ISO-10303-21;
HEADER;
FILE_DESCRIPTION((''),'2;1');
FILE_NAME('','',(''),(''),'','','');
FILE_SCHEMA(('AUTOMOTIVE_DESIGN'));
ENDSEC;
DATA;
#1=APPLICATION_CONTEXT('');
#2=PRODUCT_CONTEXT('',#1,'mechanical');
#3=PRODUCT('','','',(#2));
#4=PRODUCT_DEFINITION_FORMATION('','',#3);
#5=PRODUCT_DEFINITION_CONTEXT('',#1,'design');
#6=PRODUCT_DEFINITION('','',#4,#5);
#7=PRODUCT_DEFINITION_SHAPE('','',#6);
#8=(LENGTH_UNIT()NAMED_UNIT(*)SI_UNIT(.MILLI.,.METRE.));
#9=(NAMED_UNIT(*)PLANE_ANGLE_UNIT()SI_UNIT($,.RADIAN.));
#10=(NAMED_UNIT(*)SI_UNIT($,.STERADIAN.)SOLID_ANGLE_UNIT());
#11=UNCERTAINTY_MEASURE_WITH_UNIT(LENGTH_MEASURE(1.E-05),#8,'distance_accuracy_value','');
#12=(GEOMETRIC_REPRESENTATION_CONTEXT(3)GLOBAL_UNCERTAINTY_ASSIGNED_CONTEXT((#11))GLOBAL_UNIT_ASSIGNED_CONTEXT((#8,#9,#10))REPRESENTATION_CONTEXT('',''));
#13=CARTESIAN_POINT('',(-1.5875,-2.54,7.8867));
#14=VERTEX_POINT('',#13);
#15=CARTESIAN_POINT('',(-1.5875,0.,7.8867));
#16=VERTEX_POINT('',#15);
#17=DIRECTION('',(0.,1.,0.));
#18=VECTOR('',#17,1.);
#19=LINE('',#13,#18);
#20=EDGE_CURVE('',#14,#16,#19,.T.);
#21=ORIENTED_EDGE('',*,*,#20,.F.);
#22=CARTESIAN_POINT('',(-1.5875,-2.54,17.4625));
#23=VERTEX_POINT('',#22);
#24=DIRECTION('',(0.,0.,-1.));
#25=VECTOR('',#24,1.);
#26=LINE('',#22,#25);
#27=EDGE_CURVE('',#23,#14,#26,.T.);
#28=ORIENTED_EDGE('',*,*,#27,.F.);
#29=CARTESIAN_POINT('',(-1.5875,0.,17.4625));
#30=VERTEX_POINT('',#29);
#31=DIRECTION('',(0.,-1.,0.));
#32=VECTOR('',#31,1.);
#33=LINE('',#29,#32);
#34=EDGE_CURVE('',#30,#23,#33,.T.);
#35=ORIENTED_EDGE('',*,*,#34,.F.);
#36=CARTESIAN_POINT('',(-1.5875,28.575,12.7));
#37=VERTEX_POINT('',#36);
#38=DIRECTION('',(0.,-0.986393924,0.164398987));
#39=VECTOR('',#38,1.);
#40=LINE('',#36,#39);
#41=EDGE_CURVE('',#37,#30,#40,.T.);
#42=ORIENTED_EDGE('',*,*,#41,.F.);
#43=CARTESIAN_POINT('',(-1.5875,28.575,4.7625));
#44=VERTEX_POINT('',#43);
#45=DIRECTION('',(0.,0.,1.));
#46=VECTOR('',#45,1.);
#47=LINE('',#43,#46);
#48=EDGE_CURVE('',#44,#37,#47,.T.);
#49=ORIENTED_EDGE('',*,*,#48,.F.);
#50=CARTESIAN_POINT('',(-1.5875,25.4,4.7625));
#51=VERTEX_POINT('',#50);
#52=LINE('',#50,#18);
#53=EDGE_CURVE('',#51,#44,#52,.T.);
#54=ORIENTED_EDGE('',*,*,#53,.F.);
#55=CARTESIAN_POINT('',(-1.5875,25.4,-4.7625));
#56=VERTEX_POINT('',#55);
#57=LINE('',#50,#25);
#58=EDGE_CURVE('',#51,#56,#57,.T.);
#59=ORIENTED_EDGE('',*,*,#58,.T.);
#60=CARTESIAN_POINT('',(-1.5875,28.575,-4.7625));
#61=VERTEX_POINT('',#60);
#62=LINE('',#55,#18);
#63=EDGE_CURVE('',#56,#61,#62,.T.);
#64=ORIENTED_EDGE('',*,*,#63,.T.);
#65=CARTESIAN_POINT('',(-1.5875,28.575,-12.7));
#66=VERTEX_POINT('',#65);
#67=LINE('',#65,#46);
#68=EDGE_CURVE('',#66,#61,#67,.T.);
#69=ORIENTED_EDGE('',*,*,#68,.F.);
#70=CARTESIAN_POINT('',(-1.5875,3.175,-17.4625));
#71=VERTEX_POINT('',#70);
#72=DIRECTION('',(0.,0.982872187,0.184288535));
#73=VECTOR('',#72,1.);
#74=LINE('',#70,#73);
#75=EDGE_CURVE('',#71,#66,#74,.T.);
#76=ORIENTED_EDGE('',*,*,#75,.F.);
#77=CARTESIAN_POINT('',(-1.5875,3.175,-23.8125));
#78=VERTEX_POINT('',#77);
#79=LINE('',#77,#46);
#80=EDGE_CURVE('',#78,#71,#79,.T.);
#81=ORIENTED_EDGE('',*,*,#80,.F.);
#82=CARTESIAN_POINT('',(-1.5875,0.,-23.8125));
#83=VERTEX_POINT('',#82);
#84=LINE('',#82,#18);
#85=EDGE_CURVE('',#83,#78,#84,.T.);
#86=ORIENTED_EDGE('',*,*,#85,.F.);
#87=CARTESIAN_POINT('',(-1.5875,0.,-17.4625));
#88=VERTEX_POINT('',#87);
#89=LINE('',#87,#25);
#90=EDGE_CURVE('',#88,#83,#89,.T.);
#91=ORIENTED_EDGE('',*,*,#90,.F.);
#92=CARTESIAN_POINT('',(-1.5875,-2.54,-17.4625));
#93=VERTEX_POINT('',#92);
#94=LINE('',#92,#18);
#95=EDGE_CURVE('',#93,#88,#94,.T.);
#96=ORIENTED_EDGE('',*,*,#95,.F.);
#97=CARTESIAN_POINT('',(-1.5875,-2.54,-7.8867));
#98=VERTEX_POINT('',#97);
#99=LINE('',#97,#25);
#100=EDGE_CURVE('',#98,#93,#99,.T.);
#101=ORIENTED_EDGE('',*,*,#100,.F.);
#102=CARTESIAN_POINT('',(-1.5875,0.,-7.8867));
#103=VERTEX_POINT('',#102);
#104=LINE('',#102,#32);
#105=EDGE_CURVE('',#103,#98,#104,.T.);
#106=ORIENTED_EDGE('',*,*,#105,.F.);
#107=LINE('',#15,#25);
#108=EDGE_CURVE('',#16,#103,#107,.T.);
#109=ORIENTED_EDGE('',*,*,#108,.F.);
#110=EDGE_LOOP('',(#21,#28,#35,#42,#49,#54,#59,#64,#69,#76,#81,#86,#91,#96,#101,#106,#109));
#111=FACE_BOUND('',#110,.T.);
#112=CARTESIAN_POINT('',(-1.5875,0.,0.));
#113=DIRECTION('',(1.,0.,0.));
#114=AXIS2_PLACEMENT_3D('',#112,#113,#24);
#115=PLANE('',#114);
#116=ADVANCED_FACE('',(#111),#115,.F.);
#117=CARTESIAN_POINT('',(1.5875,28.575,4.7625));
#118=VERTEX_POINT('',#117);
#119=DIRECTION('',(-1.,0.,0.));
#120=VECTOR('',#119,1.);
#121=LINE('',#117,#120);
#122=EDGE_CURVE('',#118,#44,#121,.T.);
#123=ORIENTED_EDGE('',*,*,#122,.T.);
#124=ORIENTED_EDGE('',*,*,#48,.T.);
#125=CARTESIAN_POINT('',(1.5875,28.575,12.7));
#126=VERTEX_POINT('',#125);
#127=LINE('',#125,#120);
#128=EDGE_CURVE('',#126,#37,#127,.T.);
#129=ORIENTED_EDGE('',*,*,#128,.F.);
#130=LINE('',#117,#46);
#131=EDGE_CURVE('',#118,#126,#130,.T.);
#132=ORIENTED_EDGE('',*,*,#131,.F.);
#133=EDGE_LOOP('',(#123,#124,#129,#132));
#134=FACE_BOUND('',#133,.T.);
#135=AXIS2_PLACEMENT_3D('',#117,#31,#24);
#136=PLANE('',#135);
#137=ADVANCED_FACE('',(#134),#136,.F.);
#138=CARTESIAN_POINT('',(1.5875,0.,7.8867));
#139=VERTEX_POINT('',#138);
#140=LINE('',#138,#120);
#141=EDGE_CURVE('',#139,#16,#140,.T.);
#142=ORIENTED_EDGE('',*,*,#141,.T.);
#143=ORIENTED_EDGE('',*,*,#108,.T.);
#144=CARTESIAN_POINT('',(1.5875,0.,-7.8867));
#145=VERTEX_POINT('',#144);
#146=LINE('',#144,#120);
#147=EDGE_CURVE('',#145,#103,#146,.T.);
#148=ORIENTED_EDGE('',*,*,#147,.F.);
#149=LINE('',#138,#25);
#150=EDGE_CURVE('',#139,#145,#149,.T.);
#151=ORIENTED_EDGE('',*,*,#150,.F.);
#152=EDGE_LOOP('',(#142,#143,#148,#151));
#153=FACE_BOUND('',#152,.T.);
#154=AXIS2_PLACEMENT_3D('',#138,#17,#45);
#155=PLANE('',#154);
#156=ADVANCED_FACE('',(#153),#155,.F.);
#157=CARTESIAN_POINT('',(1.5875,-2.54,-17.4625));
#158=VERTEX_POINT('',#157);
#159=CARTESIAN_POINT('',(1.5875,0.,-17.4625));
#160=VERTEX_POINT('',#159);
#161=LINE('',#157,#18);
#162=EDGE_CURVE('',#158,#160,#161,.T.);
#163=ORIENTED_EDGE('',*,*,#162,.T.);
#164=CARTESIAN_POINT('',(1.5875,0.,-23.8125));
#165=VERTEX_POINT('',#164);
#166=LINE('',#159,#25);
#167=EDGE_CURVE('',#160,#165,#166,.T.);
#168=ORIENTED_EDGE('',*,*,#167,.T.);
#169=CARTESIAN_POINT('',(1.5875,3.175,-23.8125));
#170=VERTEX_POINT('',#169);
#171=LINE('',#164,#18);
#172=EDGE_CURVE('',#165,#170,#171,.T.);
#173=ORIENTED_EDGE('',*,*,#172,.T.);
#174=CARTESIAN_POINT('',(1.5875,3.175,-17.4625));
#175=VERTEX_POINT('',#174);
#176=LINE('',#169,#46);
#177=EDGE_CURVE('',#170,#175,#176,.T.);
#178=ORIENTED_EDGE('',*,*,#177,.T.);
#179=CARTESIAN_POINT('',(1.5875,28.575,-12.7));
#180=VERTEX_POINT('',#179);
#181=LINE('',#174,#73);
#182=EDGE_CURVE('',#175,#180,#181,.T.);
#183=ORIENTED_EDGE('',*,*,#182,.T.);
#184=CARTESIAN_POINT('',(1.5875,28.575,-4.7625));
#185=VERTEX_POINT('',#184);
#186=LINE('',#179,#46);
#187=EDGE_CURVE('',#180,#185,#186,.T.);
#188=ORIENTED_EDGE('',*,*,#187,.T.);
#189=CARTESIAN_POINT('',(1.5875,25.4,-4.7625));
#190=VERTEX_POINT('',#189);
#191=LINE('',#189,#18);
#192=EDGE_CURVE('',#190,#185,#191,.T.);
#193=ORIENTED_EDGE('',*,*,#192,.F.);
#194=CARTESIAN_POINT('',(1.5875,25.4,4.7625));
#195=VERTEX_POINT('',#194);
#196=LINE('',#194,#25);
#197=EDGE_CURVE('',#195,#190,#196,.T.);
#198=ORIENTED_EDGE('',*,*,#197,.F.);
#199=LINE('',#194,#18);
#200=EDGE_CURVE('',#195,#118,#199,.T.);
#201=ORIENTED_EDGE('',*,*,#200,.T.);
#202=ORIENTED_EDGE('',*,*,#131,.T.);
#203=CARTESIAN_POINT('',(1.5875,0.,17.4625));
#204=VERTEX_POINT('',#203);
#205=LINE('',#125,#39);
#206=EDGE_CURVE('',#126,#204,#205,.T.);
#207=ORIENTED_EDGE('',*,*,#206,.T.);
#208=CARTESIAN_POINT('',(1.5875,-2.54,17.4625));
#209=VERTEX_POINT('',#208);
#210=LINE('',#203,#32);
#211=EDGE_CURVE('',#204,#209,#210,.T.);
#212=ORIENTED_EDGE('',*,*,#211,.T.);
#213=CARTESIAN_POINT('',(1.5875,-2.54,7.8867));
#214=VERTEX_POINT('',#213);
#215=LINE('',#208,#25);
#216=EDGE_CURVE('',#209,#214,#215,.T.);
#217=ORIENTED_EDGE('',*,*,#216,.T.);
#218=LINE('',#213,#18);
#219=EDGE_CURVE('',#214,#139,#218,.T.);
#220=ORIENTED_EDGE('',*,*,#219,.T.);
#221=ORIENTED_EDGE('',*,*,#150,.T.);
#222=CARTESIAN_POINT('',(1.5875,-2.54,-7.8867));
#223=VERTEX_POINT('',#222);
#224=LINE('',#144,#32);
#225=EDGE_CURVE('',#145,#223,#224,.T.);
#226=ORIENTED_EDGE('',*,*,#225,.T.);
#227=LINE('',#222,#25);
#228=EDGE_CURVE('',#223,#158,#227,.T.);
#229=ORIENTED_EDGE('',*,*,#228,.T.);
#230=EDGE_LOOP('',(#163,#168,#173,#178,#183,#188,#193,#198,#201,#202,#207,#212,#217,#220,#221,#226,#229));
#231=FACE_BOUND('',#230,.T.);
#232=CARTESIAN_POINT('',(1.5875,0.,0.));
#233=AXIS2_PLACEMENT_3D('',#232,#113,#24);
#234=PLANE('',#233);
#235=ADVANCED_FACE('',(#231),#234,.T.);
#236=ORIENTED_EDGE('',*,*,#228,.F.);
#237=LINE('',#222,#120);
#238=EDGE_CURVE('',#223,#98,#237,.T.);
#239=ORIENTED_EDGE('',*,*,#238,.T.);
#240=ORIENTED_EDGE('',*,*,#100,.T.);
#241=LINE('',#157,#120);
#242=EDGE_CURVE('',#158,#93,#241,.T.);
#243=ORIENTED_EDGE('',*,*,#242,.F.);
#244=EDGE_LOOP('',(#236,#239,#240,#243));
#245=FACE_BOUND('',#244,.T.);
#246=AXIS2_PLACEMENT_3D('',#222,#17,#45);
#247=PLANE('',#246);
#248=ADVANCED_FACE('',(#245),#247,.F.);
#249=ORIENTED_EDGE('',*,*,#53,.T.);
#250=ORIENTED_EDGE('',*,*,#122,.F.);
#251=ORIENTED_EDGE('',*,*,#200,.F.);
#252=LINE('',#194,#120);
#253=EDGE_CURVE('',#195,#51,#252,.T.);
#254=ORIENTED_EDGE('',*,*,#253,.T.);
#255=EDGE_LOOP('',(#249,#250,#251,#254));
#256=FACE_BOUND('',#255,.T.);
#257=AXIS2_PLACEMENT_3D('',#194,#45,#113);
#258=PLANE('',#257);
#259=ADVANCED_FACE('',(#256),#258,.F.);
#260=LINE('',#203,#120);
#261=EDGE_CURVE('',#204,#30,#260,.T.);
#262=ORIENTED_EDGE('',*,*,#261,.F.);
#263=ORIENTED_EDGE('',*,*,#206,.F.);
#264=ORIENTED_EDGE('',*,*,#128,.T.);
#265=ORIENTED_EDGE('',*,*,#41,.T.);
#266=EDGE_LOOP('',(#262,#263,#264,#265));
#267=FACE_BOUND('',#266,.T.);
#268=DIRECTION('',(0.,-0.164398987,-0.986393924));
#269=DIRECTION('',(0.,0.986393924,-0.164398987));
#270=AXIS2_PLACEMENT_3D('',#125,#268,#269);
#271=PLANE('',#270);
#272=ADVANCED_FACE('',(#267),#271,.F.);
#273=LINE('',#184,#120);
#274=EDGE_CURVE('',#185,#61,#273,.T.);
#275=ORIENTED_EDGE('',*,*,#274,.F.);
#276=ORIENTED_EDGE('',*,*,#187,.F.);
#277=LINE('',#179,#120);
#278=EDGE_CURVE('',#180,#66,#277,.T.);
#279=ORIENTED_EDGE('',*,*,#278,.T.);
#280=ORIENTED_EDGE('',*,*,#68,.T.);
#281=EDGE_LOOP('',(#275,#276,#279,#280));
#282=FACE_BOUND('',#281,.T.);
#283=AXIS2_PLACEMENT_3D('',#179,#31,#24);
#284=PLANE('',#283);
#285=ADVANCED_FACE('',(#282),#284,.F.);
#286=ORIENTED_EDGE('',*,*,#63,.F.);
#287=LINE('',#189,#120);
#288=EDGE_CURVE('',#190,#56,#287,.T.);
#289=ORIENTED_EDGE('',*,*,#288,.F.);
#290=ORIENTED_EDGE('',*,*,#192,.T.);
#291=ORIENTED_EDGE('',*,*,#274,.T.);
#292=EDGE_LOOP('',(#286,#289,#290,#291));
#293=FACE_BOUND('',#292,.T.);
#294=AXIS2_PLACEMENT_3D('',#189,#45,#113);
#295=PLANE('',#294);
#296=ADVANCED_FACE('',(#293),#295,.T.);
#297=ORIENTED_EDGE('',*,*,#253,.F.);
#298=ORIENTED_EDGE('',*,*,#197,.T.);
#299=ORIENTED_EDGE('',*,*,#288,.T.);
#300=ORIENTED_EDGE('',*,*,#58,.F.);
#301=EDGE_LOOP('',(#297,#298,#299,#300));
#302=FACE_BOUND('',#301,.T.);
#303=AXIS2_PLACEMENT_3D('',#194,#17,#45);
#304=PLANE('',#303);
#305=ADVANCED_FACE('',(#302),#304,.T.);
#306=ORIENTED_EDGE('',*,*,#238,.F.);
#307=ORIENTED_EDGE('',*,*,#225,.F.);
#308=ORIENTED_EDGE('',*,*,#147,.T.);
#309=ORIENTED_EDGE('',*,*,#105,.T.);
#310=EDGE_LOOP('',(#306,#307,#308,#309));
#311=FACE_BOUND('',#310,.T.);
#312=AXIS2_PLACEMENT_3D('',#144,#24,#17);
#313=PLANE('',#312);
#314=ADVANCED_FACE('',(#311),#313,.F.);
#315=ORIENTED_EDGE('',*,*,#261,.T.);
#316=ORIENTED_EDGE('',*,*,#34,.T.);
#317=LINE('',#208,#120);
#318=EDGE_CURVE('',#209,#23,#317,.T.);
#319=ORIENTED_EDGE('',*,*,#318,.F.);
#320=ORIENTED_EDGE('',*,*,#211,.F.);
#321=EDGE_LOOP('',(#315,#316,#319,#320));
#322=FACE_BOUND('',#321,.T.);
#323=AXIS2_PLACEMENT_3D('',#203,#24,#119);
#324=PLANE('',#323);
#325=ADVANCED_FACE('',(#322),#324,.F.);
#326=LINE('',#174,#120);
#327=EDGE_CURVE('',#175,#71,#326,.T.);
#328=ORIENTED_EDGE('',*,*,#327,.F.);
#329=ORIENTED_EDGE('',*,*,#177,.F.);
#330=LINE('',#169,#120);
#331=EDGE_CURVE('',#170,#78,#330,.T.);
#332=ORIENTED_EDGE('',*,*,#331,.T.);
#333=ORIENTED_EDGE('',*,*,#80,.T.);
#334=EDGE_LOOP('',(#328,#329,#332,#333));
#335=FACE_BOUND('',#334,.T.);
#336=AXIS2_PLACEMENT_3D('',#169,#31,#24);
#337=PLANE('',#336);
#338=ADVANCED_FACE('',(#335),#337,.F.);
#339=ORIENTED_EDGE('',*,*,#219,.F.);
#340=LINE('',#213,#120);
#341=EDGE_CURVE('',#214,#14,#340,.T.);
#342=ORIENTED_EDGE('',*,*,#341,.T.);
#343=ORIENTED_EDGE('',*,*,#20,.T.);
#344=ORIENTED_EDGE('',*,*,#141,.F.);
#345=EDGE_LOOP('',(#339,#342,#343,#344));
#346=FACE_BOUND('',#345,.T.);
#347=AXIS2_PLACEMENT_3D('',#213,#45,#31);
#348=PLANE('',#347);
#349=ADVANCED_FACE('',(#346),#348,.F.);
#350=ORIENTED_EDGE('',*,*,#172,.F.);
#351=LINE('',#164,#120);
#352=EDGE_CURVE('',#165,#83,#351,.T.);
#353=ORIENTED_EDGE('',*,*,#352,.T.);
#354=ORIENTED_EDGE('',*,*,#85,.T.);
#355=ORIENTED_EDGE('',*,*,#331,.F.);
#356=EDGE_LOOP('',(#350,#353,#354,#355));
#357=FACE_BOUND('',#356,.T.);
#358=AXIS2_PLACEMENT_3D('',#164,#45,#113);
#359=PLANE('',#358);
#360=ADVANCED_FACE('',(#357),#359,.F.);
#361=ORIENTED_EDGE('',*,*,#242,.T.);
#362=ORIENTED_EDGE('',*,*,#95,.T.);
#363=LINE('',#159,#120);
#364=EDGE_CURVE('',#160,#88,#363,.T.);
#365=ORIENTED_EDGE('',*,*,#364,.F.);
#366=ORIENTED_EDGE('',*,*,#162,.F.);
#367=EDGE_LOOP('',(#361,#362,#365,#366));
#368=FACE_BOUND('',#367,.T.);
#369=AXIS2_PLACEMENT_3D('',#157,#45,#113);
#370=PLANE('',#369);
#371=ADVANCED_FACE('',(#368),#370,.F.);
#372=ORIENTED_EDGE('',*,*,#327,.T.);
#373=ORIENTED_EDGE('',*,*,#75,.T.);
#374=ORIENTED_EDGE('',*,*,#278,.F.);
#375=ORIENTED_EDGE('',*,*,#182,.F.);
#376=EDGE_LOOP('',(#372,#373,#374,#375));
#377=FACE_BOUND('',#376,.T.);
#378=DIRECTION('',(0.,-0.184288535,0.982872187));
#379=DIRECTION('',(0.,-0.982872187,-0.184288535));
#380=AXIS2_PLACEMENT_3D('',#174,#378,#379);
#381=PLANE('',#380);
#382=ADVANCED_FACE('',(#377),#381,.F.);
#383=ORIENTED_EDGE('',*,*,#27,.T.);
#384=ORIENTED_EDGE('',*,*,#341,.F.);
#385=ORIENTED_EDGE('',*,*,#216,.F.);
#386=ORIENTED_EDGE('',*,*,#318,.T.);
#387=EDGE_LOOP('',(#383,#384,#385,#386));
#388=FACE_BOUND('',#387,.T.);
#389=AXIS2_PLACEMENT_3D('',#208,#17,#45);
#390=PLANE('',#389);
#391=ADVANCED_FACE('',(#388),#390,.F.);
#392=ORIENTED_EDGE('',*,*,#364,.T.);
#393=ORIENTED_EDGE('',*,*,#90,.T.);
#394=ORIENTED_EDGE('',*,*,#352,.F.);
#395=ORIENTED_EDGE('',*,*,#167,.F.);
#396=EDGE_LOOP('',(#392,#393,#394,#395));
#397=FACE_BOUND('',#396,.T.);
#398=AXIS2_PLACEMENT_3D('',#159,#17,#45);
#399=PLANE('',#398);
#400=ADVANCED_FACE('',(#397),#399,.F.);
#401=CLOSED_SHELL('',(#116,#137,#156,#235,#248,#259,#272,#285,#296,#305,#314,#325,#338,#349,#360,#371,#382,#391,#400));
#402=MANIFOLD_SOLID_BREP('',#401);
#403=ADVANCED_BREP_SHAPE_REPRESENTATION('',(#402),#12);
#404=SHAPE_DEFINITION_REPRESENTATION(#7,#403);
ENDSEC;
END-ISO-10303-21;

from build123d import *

# Parameters (mm, degrees)
BOSS_EXTRUDE1_DEPTH = 1.5875


with BuildPart() as part:
    # Sketch1 → Boss-Extrude1 (new body, symmetric)
    with BuildSketch(Plane(origin=(0, 0, 0), x_dir=(0, 0, -1), z_dir=(1, 0, 0))):
        Polygon((23.8125, 0), (23.8125, 3.175), (17.4625, 3.175), (12.7, 28.575), (4.7625, 28.575), (4.7625, 25.4), (-4.7625, 25.4), (-4.7625, 28.575), (-12.7, 28.575), (-17.4625, 0), (-17.4625, -2.54), (-7.8867, -2.54), (-7.8867, 0), (7.8867, 0), (7.8867, -2.54), (17.4625, -2.54), (17.4625, 0), align=None)
    extrude(amount=BOSS_EXTRUDE1_DEPTH, both=True)


solid = part.part
